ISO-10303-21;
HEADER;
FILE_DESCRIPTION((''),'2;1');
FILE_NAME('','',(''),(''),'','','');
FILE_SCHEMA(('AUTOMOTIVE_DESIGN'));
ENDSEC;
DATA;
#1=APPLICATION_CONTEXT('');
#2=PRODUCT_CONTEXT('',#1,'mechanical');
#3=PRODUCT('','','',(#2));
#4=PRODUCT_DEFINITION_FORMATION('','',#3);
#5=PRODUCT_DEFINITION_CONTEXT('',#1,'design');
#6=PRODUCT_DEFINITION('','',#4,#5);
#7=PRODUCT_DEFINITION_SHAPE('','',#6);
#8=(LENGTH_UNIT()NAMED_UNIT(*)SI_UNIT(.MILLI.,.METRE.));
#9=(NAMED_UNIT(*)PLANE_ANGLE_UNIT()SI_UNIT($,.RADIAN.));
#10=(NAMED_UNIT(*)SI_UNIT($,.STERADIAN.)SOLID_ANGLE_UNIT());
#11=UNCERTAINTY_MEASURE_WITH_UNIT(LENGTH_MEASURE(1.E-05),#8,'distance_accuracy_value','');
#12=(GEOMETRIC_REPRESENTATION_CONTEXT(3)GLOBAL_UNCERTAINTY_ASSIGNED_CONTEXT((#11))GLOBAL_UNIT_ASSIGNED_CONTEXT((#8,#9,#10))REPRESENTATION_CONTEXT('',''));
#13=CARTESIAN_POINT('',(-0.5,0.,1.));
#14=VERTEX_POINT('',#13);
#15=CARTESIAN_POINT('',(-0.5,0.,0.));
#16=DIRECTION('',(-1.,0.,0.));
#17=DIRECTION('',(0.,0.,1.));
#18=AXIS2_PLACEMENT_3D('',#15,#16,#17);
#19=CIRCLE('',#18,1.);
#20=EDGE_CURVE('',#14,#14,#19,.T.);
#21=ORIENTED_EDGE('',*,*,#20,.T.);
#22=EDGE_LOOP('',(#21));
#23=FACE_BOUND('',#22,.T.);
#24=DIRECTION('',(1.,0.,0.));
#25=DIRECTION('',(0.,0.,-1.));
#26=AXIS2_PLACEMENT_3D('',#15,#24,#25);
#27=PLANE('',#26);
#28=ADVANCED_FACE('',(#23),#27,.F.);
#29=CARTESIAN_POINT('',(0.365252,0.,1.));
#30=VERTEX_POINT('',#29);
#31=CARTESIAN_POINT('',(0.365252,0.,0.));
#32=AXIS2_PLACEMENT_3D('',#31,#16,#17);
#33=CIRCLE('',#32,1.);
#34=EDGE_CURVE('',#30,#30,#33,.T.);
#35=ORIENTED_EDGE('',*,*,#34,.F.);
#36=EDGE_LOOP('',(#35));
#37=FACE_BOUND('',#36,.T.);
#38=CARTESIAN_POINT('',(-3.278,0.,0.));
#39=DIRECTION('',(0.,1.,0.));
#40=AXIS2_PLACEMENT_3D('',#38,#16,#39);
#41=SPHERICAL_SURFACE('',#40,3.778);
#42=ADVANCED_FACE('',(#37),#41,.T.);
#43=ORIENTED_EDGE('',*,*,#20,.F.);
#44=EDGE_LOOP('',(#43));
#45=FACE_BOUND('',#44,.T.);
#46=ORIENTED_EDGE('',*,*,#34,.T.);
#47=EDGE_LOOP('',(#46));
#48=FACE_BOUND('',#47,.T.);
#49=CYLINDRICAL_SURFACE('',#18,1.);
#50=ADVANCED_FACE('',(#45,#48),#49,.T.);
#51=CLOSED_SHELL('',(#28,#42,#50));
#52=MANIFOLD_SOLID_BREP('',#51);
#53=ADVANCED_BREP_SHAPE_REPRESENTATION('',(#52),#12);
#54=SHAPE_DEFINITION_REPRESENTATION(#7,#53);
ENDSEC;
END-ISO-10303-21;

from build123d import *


with BuildPart() as part:
    # Sketch1 → Revolve2 (revolve)
    with BuildSketch(Plane.XY):
        with BuildLine():
            Line((-0.5, 0), (0.5, 0))
            ThreePointArc((0.5, 0), (0.466161419, 0.504518846), (0.365251844, 1))
            Line((0.365251844, 1), (-0.5, 1))
            Line((-0.5, 1), (-0.5, 0))
        make_face()
    revolve(axis=Axis((-0.5, 0, 0), (1, 0, 0)))


solid = part.part
